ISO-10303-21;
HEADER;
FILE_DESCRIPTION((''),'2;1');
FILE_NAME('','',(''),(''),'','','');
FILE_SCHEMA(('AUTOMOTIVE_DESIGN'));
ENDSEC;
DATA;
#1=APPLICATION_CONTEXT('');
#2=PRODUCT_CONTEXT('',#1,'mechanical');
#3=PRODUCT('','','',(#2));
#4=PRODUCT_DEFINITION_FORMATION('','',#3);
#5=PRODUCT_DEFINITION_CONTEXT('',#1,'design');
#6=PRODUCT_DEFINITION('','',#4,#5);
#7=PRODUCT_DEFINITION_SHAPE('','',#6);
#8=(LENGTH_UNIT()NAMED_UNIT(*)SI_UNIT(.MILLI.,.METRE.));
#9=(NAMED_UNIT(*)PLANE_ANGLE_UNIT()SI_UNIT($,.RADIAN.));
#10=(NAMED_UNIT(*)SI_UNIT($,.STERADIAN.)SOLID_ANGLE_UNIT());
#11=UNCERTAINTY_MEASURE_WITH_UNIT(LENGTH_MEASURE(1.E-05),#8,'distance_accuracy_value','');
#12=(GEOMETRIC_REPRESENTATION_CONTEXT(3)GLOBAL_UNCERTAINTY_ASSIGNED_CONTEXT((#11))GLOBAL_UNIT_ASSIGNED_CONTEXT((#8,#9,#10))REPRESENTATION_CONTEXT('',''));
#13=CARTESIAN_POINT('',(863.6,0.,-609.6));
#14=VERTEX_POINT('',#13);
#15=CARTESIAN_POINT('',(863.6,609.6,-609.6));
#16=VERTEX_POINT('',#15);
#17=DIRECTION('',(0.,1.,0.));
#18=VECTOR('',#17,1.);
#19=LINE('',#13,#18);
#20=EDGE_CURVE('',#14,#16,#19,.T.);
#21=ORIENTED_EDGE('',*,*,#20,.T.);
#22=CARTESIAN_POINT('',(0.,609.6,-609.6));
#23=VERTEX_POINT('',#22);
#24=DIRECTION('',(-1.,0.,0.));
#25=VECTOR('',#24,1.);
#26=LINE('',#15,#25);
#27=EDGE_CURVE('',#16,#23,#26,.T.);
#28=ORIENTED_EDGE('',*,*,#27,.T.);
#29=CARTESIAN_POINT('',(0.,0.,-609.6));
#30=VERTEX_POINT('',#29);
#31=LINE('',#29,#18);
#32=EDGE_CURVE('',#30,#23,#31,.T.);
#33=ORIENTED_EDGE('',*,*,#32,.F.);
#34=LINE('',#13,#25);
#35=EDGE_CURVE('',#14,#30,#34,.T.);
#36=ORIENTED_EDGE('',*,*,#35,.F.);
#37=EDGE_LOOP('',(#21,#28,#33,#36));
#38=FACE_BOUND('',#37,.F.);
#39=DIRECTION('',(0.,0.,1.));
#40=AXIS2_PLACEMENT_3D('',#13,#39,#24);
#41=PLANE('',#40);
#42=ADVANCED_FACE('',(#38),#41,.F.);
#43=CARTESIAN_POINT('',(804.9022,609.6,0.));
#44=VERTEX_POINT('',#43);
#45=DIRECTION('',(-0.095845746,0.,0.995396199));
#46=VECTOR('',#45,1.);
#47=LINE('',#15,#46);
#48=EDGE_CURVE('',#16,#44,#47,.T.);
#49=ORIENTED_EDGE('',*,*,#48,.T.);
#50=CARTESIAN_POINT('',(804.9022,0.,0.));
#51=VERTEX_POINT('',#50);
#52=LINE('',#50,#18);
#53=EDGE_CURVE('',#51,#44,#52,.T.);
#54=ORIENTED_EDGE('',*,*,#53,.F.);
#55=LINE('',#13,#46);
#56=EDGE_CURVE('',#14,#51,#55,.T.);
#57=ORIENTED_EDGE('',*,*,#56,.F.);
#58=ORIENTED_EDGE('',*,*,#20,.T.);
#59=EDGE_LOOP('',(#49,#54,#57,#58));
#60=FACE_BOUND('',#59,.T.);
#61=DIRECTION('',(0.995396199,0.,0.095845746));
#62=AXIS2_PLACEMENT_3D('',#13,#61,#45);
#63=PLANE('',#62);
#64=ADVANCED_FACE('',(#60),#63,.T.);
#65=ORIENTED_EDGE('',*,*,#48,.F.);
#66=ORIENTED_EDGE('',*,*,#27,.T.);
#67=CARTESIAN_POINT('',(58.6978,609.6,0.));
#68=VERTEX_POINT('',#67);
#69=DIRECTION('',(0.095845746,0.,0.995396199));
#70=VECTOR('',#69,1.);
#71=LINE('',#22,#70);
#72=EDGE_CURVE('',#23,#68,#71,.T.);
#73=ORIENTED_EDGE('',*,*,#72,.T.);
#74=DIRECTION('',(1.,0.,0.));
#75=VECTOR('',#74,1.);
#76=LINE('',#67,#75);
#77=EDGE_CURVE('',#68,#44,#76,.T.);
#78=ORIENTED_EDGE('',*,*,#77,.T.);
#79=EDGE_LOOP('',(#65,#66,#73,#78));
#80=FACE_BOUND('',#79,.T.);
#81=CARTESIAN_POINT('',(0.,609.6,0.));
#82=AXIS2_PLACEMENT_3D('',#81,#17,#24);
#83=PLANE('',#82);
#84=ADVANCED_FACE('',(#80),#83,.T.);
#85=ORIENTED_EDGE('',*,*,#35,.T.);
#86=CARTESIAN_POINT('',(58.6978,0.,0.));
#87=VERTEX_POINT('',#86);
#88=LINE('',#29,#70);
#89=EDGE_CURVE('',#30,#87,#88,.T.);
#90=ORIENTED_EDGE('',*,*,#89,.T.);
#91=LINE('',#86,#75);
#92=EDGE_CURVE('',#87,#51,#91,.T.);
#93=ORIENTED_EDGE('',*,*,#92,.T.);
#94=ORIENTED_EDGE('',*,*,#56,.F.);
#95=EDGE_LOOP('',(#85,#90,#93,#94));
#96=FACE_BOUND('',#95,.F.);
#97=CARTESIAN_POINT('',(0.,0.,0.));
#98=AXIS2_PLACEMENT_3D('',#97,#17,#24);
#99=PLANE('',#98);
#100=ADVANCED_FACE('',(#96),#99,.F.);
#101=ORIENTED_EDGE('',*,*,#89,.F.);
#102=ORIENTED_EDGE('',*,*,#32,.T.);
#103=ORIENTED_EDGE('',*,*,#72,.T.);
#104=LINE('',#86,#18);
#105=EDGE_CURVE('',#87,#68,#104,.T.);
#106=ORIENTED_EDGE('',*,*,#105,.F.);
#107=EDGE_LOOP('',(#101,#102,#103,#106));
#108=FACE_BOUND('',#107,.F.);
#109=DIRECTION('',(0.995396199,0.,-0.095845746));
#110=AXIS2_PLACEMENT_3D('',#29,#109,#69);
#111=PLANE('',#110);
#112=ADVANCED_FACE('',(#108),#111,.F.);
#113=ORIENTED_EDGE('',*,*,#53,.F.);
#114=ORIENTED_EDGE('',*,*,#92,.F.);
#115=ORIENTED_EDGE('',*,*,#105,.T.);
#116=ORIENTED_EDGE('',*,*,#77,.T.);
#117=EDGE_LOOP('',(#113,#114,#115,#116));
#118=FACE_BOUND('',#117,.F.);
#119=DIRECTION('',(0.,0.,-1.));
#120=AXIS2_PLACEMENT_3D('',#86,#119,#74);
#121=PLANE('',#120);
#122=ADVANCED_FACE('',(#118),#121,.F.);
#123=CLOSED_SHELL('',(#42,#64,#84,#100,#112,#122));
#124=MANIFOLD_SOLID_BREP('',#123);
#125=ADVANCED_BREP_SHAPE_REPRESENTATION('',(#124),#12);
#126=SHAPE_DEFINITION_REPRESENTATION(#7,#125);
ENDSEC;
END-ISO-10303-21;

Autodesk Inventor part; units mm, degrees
ref_plane "YZ Plane" through (0, 0, 0) normal (1, 0, 0) x (0, 1, 0)
ref_plane "XZ Plane" through (0, 0, 0) normal (0, 1, 0) x (-1, 0, 0)
ref_plane "XY Plane" through (0, 0, 0) normal (0, 0, 1) x (1, 0, 0)
sketch "Sketch1" plane through (0, 0, 0) normal (0, 1, 0) x (-1, 0, 0)
  line L0 (-58.6978, 0) -> (-804.9022, 0)
  line L1 (-863.6, 0) -> (-863.6, -609.6) construction
  line L2 (-863.6, -609.6) -> (0, -609.6)
  line L3 (0, -609.6) -> (0, 0) construction
  line L4 (0, -609.6) -> (-58.6978, 0)
  line L5 (-863.6, -609.6) -> (-804.9022, 0)
  line L6 (-431.8, -609.6) -> (-431.8, 0) construction
  dimension "d0" = 863.6
  dimension "d1" = 609.6
  dimension "d2" = 11
  dimension "d5" = 609.6
extrude "Extrusion1" add sketch "Sketch1" along normal blind 609.6
equation "\"d5\" = d1"
properties part number "Boulder wall block - 20" material "Granite, Cut, Polished"
